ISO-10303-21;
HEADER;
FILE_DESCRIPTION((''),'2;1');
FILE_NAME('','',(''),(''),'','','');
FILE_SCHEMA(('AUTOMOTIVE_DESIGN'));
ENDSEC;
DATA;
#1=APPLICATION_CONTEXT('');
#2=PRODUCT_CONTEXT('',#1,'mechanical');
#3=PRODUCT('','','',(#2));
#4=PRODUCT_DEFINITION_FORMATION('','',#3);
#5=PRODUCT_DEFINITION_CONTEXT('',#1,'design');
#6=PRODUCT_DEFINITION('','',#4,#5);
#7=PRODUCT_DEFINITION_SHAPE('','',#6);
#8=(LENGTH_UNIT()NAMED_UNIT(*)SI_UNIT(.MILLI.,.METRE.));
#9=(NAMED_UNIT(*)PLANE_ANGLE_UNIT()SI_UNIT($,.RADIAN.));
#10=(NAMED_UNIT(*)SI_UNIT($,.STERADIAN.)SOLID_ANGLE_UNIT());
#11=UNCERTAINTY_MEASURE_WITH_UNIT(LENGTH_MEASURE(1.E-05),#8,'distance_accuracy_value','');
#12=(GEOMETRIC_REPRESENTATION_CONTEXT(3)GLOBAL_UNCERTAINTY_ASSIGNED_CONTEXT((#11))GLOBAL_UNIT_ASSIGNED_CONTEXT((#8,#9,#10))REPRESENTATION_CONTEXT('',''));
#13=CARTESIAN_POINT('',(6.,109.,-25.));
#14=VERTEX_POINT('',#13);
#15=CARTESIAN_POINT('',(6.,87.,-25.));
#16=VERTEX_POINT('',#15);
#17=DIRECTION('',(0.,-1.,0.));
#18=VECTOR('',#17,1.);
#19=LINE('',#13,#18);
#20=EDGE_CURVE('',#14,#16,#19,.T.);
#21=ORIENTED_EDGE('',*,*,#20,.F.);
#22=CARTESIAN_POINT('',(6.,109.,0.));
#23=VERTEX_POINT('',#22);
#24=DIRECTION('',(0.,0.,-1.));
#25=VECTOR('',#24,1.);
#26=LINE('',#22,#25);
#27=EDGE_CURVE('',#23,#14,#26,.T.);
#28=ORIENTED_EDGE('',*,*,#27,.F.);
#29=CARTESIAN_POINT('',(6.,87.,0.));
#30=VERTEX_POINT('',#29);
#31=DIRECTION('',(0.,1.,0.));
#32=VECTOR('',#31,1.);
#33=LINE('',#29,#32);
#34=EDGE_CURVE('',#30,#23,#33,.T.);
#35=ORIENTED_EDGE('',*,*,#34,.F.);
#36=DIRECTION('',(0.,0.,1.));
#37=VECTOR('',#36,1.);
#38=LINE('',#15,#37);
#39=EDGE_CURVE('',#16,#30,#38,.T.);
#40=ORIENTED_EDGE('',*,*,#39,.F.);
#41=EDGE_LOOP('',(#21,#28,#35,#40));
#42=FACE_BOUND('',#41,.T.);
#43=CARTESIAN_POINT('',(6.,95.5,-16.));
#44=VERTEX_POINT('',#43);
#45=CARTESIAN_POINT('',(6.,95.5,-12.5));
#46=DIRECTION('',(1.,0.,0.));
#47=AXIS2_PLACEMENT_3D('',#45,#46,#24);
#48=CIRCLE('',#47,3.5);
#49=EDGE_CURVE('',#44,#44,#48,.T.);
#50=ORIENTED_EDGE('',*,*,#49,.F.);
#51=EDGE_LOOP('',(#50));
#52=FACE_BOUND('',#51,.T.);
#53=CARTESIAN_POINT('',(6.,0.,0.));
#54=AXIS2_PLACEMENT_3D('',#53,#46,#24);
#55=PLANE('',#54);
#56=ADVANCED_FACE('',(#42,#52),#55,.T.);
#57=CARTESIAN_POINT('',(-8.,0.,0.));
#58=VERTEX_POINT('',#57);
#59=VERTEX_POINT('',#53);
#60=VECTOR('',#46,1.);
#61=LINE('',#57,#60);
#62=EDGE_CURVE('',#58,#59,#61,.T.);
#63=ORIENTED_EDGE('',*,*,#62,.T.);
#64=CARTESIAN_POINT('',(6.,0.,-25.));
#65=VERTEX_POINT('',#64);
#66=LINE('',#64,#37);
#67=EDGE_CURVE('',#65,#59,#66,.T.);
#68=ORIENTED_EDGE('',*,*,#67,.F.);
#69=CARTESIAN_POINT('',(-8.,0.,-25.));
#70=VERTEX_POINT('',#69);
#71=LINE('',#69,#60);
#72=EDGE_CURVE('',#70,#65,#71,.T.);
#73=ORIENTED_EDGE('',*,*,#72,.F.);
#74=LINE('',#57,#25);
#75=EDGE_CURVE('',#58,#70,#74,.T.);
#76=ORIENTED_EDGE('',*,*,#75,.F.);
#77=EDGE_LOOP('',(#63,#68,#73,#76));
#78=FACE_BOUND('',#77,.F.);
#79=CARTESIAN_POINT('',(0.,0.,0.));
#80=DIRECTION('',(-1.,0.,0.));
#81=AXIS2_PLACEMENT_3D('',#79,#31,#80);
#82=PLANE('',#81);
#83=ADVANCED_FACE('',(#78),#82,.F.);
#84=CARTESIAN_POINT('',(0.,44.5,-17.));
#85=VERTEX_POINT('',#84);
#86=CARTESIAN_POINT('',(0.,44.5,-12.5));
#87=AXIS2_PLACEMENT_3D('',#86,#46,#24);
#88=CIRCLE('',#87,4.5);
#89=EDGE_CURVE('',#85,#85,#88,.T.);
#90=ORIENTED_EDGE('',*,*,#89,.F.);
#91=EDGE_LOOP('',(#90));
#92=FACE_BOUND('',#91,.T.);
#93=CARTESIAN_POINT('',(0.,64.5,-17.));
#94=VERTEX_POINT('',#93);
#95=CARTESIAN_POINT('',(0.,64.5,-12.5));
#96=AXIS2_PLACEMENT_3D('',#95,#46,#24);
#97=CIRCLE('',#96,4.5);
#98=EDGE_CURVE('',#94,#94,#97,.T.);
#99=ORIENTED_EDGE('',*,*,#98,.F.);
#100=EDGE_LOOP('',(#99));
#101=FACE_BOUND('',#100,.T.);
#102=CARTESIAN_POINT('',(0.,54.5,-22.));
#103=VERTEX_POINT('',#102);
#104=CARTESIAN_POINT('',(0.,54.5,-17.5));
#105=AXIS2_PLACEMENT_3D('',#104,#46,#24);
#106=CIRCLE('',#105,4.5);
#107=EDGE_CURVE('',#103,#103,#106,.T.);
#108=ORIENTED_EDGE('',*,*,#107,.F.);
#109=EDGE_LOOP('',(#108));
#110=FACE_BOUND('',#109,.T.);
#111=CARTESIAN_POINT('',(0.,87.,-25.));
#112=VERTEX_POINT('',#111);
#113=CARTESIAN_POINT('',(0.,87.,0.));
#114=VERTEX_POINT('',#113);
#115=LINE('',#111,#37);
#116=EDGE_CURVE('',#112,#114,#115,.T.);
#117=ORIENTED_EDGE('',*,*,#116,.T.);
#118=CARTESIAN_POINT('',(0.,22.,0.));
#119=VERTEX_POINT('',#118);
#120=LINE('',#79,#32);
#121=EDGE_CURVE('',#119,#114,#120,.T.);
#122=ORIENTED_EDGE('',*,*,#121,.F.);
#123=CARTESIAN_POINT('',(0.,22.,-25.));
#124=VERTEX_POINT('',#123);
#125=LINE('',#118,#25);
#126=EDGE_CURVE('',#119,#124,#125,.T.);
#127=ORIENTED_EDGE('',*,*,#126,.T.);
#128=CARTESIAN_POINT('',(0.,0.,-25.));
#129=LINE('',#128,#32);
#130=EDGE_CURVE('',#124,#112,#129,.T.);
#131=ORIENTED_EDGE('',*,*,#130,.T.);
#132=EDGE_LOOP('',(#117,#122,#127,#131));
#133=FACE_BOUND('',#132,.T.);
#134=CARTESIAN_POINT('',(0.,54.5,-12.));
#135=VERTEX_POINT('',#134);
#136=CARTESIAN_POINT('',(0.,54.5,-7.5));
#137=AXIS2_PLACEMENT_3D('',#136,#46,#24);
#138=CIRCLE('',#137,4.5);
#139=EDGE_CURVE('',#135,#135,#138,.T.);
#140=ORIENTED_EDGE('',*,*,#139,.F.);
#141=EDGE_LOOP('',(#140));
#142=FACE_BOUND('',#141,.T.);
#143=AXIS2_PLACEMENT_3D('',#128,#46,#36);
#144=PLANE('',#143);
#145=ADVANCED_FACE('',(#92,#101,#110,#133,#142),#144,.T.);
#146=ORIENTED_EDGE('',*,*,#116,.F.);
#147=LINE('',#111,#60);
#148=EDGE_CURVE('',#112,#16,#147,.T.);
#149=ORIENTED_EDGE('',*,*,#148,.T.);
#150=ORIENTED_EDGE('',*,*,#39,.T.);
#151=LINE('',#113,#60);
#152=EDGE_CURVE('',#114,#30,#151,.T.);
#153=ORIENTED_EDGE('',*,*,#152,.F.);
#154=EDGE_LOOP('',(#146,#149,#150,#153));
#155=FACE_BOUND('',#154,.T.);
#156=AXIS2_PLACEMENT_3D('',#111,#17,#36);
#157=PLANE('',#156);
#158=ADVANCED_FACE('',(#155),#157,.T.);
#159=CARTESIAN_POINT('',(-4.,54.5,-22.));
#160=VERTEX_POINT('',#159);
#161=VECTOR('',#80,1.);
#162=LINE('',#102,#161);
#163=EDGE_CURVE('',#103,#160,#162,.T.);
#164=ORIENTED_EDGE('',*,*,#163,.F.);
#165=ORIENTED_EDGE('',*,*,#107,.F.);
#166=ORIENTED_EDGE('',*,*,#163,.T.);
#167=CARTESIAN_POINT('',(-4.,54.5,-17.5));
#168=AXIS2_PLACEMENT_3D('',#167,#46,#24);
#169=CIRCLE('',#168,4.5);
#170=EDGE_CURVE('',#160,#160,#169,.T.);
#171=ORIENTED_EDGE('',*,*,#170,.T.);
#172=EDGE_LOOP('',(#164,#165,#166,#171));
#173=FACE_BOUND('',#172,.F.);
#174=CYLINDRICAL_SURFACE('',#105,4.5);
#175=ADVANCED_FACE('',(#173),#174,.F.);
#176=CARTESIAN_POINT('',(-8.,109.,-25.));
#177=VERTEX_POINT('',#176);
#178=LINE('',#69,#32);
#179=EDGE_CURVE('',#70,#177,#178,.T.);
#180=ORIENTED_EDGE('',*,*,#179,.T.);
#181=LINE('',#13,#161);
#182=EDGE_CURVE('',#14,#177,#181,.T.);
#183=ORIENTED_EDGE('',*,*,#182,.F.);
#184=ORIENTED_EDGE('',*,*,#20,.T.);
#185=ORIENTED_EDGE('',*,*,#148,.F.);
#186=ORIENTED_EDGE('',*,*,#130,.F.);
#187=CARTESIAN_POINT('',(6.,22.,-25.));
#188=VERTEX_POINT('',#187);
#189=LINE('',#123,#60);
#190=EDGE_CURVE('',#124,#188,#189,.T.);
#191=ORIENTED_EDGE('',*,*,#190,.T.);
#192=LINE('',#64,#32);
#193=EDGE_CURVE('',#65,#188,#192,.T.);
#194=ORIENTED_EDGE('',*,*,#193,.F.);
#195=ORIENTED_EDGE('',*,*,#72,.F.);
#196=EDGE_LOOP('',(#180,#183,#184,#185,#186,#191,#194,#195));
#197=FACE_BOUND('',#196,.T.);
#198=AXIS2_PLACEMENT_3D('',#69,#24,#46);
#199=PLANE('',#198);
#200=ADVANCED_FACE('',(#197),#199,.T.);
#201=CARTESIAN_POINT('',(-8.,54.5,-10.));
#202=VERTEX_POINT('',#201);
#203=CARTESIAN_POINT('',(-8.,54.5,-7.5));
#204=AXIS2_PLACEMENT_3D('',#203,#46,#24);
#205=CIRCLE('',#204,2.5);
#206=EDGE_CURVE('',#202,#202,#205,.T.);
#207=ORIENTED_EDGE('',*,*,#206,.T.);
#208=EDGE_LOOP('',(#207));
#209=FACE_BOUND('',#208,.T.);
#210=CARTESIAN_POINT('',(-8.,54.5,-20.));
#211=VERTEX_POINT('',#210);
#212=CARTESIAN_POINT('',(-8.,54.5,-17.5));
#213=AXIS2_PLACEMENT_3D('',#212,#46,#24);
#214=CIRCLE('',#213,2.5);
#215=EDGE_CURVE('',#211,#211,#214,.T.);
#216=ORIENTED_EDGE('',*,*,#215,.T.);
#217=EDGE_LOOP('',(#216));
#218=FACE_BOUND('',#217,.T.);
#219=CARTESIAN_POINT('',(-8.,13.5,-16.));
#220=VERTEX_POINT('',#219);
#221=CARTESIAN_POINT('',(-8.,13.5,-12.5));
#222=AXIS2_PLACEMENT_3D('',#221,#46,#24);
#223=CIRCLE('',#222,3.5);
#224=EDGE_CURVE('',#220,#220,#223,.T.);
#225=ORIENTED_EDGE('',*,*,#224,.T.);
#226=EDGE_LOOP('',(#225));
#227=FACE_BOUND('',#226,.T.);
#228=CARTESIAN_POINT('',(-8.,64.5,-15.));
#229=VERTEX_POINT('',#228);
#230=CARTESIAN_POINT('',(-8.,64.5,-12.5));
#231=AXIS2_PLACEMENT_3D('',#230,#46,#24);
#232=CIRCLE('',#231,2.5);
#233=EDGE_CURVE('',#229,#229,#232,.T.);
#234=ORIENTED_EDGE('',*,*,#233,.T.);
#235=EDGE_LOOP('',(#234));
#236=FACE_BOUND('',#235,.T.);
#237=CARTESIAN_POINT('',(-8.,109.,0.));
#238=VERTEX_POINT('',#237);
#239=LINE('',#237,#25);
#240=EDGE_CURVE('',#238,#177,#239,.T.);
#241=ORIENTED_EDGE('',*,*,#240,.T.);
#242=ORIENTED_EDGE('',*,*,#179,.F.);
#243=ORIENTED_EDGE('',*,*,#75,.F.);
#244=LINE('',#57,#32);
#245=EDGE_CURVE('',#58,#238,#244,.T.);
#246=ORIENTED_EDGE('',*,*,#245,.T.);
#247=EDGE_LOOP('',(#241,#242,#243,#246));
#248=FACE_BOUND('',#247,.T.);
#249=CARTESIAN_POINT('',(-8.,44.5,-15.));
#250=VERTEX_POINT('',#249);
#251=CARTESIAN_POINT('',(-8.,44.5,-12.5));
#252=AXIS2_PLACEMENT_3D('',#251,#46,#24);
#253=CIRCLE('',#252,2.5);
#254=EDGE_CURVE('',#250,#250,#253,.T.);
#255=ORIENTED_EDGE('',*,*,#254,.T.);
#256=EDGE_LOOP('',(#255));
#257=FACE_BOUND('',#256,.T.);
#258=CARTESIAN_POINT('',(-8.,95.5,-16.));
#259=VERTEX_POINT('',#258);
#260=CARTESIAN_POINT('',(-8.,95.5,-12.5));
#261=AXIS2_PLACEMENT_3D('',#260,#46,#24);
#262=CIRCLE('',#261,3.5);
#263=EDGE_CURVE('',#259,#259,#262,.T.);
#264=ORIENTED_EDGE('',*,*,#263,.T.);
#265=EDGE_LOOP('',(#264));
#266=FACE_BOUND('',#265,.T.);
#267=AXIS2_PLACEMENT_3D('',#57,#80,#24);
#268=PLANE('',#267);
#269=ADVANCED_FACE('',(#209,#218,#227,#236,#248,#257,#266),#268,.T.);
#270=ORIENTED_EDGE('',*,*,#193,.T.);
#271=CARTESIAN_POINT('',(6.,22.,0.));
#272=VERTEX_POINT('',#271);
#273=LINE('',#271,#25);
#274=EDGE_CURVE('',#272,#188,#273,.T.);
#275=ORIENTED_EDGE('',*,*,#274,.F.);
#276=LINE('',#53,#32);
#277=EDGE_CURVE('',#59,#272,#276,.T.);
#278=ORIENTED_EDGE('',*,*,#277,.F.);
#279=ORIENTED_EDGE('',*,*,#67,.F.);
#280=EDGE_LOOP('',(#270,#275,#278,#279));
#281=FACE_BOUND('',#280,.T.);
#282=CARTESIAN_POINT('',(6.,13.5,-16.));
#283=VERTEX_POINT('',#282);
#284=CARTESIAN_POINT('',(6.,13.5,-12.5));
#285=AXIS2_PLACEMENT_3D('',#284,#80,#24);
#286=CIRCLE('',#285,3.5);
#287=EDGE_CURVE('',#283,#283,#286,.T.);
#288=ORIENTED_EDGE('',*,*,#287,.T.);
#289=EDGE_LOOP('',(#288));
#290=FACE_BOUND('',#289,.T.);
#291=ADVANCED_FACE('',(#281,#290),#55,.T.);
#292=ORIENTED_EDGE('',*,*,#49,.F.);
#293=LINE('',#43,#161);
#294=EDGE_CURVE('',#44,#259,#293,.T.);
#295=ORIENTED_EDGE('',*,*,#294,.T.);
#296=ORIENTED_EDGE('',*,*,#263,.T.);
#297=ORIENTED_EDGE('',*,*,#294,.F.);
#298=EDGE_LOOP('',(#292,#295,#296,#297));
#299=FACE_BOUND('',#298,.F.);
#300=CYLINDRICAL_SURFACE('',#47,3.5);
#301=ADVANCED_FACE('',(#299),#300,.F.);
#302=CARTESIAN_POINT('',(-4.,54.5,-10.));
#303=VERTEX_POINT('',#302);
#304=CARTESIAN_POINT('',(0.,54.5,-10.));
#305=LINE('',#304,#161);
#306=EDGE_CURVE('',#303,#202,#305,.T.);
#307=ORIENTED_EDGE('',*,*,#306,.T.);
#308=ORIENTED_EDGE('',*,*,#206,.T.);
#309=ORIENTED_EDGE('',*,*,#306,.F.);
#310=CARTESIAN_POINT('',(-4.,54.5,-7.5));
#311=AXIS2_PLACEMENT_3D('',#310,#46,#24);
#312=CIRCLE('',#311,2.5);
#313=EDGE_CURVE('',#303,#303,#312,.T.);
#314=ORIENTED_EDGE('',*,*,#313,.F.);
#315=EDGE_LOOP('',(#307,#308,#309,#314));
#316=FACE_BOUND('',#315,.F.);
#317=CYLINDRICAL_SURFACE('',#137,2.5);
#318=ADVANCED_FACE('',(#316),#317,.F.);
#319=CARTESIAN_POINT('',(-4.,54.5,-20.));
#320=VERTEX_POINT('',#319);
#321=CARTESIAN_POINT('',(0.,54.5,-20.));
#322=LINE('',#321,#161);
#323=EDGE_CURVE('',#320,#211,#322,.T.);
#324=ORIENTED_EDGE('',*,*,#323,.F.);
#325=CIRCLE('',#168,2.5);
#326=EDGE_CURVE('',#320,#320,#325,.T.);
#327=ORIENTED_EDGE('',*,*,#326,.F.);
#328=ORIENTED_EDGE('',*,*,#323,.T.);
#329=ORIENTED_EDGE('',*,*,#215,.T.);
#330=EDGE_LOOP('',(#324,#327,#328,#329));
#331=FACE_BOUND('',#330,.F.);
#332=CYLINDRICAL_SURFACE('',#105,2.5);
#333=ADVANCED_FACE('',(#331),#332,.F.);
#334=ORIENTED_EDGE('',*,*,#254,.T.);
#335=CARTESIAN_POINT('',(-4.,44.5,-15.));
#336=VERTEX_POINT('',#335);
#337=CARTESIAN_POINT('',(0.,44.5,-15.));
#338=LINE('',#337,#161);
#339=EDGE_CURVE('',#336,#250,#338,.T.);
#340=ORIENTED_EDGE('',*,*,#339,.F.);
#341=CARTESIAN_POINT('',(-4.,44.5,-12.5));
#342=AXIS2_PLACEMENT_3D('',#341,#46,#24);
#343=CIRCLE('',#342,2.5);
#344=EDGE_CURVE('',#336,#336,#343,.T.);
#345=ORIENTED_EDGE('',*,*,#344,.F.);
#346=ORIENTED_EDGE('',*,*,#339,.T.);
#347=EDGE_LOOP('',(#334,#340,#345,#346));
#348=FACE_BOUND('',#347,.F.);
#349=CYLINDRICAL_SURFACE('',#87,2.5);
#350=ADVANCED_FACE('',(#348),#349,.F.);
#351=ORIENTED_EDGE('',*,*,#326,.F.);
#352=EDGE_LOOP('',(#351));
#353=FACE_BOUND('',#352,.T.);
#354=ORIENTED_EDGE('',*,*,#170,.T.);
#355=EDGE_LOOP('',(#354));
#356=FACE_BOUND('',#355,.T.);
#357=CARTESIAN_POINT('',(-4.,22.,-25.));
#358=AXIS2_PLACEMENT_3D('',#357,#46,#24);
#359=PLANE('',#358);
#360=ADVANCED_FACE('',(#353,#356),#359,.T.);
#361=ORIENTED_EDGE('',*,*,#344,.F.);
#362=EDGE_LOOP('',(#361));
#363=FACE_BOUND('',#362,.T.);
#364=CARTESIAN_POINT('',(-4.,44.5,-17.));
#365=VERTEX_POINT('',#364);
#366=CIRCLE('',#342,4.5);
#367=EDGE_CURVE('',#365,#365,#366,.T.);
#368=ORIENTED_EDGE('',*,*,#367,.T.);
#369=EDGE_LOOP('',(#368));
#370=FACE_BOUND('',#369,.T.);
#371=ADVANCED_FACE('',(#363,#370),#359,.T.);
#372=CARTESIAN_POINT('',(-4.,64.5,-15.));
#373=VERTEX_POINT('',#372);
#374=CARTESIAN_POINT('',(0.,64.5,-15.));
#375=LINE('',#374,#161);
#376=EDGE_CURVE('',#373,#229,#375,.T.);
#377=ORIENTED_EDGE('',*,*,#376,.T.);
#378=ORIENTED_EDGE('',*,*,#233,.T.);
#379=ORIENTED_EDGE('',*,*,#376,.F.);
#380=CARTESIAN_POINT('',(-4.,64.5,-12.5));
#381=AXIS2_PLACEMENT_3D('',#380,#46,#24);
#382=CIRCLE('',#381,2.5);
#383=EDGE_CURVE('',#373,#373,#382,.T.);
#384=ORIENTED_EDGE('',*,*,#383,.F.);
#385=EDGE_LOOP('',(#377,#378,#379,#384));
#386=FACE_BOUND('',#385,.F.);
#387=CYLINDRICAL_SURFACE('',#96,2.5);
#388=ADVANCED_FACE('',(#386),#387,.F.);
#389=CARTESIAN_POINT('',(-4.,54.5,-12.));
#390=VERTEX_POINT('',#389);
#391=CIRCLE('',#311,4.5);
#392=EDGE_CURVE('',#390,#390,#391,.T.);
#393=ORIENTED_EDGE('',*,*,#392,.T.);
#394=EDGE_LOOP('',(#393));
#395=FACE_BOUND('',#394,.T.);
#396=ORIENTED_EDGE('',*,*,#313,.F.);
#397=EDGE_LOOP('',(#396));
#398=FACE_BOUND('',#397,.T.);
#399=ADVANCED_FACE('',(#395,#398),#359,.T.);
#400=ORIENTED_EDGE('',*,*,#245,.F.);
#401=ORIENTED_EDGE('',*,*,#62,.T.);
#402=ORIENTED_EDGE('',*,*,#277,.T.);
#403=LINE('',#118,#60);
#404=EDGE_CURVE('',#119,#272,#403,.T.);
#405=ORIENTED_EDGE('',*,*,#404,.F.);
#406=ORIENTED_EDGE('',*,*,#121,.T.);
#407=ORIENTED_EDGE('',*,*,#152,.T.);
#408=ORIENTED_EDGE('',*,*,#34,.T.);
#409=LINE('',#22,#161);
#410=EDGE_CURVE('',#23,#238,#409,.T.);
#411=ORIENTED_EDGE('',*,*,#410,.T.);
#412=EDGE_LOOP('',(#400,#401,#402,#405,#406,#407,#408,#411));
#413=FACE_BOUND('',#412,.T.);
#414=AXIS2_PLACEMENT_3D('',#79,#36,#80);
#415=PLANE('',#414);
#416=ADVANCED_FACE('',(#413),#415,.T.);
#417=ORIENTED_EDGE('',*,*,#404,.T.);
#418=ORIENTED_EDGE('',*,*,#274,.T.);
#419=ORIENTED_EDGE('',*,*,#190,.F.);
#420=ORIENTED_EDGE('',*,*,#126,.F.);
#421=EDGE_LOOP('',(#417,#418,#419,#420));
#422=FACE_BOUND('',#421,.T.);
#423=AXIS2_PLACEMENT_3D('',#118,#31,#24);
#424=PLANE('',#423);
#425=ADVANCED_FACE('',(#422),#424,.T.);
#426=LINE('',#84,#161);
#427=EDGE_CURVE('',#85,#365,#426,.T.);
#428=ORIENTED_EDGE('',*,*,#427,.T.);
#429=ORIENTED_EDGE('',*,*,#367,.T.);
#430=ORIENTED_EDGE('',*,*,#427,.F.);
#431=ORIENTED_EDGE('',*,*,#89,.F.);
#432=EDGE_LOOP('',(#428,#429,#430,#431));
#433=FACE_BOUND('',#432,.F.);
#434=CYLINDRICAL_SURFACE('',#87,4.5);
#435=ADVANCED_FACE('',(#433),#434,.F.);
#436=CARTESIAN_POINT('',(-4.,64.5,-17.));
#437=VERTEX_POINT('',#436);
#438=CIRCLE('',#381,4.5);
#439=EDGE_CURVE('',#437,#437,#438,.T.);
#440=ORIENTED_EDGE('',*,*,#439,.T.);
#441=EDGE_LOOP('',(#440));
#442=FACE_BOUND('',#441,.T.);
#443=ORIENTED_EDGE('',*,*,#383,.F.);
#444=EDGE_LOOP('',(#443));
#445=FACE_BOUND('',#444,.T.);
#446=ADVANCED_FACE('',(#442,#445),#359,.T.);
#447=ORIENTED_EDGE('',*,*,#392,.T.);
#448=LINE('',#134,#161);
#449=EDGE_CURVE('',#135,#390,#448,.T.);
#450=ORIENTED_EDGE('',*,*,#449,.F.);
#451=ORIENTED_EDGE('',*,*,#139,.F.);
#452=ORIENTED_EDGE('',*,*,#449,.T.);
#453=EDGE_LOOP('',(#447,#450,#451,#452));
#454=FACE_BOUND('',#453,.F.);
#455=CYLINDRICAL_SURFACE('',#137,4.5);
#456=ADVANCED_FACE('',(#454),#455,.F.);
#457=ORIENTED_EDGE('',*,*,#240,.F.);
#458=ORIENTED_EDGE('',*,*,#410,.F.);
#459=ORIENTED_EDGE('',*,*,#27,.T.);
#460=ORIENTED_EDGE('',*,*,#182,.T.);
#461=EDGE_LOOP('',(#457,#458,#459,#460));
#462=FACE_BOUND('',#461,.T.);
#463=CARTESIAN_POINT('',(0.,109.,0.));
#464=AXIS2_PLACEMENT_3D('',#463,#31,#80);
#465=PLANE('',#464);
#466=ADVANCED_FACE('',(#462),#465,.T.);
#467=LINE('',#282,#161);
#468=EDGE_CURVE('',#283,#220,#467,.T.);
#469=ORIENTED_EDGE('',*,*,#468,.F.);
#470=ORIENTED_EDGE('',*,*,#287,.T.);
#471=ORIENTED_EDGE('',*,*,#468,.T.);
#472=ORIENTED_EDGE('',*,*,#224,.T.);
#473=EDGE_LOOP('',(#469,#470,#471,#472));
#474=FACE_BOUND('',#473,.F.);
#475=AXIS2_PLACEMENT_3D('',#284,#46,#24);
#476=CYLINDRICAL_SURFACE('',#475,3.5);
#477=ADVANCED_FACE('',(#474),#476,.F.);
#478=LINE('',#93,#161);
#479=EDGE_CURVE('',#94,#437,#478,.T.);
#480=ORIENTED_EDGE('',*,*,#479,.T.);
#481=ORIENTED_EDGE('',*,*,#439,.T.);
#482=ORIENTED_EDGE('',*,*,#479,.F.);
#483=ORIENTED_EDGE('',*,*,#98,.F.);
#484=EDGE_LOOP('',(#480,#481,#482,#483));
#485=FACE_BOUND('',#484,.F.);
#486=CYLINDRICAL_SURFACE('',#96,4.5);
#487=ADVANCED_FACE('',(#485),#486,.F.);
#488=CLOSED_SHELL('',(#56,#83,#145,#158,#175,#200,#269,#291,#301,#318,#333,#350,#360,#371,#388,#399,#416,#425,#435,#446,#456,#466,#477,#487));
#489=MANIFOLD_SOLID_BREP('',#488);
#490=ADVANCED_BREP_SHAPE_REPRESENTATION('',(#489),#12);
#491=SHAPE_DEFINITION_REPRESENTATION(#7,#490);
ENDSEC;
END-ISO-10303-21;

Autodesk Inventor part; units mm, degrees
ref_plane "YZ Plane" through (0, 0, 0) normal (1, 0, 0) x (0, 1, 0)
ref_plane "XZ Plane" through (0, 0, 0) normal (0, 1, 0) x (-1, 0, 0)
ref_plane "XY Plane" through (0, 0, 0) normal (0, 0, 1) x (1, 0, 0)
sketch "Sketch1" plane through (0, 0, 0) normal (0, 1, 0) x (-1, 0, 0)
  line L0 (0, 0) -> (8, 0)
  line L1 (8, 0) -> (8, -25)
  line L2 (8, -25) -> (0, -25)
  line L3 (0, -25) -> (0, 0)
  dimension "d0" = 8
  dimension "d1" = 25
extrude "Extrusion1" add sketch "Sketch1" along normal blind 109
sketch "Sketch2" plane through (0, 0, 0) normal (1, 0, 0) x (0, 0, -1)
  line L0 (0, 109) -> (25, 109) projected
  line L1 (0, 109) -> (25, 109)
  line L2 (25, 109) -> (25, 87)
  line L3 (25, 87) -> (0, 87)
  line L4 (0, 87) -> (0, 109)
  line L5 (25, 0) -> (25, 109) projected
  line L6 (25, 0) -> (0, 0)
  line L7 (0, 0) -> (0, 22)
  line L8 (0, 22) -> (25, 22)
  line L9 (25, 22) -> (25, 0)
  dimension "d4" = 25
  dimension "d5" = 22
  dimension "d6" = 25
  dimension "d7" = 22
extrude "Extrusion2" add sketch "Sketch2" along normal blind 6
sketch "Sketch3" plane through (6, 0, 0) normal (1, 0, 0) x (0, 0, -1)
  line L0 (0, 0) -> (25, 0) projected
  line L1 (0, 0) -> (12.5, 0)
  line L2 (12.5, 0) -> (12.5, 13.5)
  circle A0 centre (12.5, 13.5) radius 3.5
  circle A1 centre (12.5, 95.5) radius 3.5
  line L3 (25, 109) -> (0, 109) projected
  line L4 (0, 109) -> (0, 87) projected
  dimension "d10" = 13.5
  dimension "d11" = 7
  dimension "d12" = 7
  dimension "d13" = 13.5
  dimension "d14" = 12.5
sketch "Sketch4" plane through (0, 22, -25) normal (1, 0, 0) x (0, 0, -1)
  circle A0 centre (-17.5, 32.5) radius 2.5
  line L0 (-25, -22) -> (0, -22) projected
  line L1 (-25, 0) -> (-25, 65) projected
  circle A1 centre (-7.5, 32.5) radius 2.5
  line L2 (0, 0) -> (0, 65) projected
  circle A2 centre (-12.5, 22.5) radius 2.5
  circle A3 centre (-12.5, 42.5) radius 2.5
  dimension "d15" = 5
  dimension "d16" = 54.5
  dimension "d17" = 7.5
  dimension "d18" = 5
  dimension "d19" = 7.5
  dimension "d20" = 54.5
  dimension "d21" = 5
  dimension "d22" = 5
  dimension "d23" = 10
  dimension "d24" = 5
  dimension "d25" = 10
  dimension "d26" = 5
extrude "Extrusion3" cut sketch "Sketch3" against normal up to next
extrude "Extrusion4" cut sketch "Sketch4" against normal up to next
sketch "Sketch5" plane through (0, 22, -25) normal (1, 0, 0) x (0, 0, -1)
  circle A0 centre (-12.5, 42.5) radius 2.5 projected
  circle A1 centre (-12.5, 42.5) radius 4.5
  circle A2 centre (-17.5, 32.5) radius 2.5 projected
  circle A3 centre (-17.5, 32.5) radius 4.5
  circle A4 centre (-7.5, 32.5) radius 2.5 projected
  circle A5 centre (-7.5, 32.5) radius 4.5
  circle A6 centre (-12.5, 22.5) radius 2.5 projected
  circle A7 centre (-12.5, 22.5) radius 4.5
  point P0 (-25, -22)
  dimension "d31" = 9
  dimension "d32" = 9
  dimension "d33" = 9
  dimension "d34" = 9
extrude "Extrusion5" cut sketch "Sketch5" against normal blind 4
properties part number "Back_Bracket" material "ABS Plastic"
